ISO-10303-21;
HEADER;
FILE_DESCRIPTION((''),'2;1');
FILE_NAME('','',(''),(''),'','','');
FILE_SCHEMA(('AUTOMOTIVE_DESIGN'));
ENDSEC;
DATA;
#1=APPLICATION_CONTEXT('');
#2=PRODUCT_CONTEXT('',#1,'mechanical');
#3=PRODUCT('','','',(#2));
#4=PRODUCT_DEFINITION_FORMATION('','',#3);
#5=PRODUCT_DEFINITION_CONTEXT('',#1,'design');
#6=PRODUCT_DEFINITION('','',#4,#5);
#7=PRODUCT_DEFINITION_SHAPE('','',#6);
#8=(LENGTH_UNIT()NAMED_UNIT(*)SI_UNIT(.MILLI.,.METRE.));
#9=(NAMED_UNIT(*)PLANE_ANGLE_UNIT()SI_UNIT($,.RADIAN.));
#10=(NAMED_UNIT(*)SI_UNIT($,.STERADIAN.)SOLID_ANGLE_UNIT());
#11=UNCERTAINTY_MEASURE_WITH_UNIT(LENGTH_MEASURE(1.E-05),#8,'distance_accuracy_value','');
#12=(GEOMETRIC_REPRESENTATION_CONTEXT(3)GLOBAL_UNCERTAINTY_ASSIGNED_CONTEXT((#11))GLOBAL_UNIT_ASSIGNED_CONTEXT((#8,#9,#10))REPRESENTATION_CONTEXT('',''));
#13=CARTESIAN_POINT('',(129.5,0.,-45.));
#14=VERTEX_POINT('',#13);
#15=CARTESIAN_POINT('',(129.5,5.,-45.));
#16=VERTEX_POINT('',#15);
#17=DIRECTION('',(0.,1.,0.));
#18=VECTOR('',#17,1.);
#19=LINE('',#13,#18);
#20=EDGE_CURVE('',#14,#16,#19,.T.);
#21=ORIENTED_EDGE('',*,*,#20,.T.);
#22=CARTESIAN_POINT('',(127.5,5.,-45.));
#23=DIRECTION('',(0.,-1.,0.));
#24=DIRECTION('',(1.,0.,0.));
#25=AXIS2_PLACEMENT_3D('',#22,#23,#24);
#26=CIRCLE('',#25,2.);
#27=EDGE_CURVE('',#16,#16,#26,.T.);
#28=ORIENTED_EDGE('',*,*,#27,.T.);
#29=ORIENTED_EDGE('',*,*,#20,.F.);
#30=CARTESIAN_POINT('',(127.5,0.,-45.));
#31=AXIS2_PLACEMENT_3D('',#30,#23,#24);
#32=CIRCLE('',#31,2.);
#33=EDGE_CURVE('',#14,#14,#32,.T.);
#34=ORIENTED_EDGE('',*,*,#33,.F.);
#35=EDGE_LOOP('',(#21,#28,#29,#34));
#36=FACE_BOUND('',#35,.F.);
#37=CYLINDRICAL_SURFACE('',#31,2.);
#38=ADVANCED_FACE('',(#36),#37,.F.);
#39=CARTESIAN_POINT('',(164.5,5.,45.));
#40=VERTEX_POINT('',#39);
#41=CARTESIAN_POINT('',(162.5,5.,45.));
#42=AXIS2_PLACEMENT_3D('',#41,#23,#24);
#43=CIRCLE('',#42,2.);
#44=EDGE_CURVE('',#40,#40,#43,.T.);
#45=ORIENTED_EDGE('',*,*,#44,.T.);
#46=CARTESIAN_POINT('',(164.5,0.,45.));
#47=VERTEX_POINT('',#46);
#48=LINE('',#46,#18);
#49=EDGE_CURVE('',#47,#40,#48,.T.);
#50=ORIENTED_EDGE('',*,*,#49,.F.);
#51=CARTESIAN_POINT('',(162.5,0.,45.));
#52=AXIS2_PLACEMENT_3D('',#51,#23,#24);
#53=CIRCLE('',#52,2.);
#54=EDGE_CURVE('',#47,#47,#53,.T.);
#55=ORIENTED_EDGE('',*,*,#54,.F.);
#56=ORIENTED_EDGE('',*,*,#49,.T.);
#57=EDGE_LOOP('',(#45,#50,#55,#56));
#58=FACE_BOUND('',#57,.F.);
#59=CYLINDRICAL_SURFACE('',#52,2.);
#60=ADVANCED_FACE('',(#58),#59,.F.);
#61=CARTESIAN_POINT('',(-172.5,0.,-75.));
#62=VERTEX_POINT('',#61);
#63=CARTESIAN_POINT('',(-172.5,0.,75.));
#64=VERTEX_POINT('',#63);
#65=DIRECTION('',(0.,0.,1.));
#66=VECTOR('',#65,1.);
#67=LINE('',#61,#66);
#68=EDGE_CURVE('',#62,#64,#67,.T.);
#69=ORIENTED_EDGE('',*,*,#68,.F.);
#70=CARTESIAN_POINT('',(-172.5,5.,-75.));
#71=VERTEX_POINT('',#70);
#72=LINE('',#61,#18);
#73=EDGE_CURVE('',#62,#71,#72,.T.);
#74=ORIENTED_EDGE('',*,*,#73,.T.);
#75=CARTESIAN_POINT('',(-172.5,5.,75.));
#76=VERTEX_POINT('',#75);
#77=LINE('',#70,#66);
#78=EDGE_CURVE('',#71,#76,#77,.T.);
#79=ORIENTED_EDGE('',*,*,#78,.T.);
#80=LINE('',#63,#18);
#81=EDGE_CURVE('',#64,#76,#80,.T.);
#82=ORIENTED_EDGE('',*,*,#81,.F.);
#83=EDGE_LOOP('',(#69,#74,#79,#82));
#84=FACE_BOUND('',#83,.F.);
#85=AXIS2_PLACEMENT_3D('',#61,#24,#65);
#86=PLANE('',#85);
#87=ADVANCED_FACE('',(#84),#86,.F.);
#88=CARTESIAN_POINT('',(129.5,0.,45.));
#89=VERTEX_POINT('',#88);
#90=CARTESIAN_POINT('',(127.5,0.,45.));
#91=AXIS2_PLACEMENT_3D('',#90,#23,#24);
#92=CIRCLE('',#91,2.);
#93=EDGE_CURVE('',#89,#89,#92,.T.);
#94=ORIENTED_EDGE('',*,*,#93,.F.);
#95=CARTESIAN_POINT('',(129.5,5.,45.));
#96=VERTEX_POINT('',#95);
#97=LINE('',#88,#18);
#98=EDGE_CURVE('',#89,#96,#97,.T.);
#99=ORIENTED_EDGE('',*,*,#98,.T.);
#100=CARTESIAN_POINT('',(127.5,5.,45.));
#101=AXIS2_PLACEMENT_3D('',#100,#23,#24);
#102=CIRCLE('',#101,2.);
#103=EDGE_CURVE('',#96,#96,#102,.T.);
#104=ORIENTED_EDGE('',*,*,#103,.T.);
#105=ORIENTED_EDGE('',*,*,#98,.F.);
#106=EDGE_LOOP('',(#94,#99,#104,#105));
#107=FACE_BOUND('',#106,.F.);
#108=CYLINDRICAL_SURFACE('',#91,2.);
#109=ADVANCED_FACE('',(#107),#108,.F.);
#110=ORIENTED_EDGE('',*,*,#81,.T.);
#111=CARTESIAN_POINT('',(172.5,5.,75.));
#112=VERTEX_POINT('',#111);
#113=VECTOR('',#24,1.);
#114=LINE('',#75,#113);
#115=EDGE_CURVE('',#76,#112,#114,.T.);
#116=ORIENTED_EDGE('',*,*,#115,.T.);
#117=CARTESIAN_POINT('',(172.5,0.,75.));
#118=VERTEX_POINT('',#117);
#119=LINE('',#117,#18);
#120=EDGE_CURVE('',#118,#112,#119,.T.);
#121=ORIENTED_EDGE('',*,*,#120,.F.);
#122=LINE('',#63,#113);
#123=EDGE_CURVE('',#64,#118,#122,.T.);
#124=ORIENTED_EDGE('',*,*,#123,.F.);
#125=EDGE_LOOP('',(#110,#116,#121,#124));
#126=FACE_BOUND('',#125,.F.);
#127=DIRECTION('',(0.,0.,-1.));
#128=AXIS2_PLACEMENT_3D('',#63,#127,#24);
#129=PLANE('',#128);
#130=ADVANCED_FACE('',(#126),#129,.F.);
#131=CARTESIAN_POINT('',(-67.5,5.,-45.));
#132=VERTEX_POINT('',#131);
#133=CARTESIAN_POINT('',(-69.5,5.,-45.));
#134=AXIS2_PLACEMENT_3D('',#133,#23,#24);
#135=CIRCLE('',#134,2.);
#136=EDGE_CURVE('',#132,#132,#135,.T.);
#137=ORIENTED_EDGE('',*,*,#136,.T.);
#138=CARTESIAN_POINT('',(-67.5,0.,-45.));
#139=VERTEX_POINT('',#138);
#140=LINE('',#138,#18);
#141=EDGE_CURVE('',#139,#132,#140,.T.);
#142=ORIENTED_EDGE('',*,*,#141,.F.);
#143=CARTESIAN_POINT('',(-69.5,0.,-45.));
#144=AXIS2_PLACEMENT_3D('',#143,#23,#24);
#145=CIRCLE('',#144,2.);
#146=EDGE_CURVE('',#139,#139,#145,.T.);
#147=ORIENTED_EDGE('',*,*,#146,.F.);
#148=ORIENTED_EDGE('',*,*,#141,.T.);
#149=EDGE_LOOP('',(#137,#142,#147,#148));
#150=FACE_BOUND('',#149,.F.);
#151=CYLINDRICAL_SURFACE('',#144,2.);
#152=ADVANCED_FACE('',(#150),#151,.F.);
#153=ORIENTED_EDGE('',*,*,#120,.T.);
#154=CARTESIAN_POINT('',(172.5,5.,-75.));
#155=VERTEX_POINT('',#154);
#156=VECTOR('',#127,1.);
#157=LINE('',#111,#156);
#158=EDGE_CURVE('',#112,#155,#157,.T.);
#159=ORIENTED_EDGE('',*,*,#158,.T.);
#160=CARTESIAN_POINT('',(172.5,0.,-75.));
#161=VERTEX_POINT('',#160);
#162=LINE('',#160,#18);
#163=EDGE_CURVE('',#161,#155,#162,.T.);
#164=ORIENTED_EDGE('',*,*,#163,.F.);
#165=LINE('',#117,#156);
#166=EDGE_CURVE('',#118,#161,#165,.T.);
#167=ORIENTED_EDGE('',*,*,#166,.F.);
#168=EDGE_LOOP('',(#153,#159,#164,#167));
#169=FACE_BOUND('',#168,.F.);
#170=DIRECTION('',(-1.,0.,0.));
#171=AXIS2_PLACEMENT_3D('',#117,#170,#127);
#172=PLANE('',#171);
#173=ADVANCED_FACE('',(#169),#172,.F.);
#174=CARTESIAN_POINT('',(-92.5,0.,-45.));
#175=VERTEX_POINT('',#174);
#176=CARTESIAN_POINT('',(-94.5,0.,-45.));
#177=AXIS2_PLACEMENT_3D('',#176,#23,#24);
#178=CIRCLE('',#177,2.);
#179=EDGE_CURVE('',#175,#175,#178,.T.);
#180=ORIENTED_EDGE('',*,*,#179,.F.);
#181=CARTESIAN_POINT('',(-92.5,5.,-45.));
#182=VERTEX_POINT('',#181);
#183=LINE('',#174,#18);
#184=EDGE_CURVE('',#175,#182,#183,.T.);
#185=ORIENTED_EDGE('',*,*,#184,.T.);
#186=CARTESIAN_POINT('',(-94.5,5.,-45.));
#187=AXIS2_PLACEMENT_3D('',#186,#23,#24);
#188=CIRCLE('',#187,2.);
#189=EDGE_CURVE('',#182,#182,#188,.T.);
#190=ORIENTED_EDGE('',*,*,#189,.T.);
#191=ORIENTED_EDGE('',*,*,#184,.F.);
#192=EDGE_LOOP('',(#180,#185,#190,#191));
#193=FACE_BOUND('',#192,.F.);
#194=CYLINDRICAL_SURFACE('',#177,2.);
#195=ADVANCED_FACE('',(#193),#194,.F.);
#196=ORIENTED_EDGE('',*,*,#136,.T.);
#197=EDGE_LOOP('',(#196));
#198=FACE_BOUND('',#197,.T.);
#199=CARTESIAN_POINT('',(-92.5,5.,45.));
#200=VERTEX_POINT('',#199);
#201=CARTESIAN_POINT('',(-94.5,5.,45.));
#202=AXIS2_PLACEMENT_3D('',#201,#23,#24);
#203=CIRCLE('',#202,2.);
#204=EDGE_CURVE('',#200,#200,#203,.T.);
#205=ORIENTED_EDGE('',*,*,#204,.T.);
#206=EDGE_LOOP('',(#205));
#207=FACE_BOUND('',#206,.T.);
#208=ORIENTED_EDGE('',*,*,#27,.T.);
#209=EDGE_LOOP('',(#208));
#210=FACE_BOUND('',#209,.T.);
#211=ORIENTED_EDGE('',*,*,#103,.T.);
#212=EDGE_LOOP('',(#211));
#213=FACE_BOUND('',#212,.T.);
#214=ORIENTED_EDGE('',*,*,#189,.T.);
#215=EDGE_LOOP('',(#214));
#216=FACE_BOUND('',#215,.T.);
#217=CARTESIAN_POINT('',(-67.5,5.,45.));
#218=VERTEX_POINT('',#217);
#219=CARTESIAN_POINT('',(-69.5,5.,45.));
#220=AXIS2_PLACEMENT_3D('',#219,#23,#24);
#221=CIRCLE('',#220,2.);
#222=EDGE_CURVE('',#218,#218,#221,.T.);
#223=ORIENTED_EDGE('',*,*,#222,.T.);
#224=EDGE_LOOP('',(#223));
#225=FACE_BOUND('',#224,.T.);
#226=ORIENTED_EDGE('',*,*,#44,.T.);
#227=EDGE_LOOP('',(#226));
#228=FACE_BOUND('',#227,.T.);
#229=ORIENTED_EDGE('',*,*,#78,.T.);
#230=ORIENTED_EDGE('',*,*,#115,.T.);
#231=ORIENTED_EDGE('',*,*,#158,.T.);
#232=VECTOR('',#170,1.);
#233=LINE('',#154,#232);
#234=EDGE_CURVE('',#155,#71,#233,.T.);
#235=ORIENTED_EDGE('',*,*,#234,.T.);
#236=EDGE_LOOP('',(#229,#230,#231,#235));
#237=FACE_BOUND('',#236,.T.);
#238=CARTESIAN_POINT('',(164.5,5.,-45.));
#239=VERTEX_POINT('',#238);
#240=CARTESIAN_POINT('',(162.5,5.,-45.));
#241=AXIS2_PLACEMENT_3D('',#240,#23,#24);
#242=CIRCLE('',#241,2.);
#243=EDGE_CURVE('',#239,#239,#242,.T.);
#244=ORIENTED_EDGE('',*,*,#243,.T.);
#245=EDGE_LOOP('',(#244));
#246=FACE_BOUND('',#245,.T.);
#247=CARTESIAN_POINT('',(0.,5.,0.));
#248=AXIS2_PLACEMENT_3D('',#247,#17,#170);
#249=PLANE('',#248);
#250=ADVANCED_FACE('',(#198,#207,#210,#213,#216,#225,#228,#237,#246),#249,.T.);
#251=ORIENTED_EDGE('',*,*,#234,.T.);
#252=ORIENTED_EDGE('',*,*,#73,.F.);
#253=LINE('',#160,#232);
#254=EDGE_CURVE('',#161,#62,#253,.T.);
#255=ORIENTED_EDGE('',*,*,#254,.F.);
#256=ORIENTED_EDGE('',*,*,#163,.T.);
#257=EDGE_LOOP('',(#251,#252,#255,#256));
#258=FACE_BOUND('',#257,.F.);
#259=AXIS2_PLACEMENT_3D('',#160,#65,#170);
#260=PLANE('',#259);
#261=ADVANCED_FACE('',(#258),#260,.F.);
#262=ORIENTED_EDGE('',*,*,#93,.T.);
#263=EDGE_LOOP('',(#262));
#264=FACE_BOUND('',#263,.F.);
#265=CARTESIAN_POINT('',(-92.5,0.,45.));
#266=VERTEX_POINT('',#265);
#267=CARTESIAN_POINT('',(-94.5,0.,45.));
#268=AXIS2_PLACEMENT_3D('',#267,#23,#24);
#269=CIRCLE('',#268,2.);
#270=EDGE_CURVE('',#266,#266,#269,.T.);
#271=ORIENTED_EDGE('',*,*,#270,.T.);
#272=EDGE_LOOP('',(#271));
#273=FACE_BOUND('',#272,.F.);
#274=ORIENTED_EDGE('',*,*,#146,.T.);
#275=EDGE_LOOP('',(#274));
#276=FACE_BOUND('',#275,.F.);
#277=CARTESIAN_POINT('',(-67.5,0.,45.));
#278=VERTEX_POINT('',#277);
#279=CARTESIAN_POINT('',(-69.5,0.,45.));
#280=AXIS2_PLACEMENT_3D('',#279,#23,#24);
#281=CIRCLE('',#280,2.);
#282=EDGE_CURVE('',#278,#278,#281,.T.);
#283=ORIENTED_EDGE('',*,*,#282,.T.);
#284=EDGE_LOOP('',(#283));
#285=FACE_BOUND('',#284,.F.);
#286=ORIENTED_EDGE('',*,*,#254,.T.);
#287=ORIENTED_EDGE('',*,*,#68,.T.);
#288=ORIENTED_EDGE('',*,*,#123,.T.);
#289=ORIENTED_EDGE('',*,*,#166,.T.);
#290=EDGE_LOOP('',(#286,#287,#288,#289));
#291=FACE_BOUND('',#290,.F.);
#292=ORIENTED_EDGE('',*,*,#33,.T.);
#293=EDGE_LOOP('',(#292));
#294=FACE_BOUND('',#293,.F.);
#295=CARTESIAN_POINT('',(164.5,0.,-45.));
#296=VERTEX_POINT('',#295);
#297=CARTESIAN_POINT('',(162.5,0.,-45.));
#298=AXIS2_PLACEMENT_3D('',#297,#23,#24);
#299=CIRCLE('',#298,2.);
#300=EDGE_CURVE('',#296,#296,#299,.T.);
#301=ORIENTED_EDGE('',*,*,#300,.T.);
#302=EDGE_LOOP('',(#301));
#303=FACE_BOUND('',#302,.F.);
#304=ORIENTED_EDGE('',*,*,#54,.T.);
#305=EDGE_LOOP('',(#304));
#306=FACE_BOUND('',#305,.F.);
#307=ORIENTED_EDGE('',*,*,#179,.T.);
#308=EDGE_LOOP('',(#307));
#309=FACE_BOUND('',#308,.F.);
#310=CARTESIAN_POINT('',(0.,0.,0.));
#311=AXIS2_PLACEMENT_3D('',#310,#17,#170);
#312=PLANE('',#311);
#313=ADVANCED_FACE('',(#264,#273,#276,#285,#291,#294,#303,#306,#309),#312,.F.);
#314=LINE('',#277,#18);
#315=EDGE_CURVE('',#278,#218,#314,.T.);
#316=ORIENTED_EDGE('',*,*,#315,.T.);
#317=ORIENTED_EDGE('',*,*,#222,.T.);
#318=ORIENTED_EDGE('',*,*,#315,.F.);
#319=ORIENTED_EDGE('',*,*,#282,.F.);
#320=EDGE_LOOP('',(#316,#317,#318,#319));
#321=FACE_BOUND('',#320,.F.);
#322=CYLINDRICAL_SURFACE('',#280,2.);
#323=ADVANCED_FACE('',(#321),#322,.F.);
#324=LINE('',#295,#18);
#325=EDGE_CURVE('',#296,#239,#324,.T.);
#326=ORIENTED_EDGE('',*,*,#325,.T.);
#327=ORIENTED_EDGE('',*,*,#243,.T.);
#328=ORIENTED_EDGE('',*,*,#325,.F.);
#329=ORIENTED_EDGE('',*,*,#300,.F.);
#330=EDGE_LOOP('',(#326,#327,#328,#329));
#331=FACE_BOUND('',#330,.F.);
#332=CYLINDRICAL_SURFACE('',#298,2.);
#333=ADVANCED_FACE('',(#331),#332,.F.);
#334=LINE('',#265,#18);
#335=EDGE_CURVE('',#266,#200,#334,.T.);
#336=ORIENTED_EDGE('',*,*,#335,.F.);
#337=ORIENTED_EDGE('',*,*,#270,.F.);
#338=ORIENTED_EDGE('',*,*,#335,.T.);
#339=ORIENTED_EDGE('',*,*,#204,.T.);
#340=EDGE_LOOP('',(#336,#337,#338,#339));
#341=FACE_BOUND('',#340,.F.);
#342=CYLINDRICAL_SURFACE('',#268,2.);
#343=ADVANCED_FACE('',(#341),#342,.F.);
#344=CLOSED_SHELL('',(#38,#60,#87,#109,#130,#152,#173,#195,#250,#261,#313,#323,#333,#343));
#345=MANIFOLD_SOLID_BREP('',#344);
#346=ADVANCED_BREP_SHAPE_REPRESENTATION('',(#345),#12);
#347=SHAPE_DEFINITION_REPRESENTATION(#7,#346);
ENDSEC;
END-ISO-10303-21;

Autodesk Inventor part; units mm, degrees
ref_plane "YZ Plane" through (0, 0, 0) normal (1, 0, 0) x (0, 1, 0)
ref_plane "XZ Plane" through (0, 0, 0) normal (0, 1, 0) x (-1, 0, 0)
ref_plane "XY Plane" through (0, 0, 0) normal (0, 0, 1) x (1, 0, 0)
sketch "Sketch1" plane through (0, 0, 0) normal (0, 1, 0) x (-1, 0, 0)
  line L0 (172.5, 75) -> (-172.5, 75)
  line L1 (-172.5, 75) -> (-172.5, -75)
  line L2 (-172.5, -75) -> (172.5, -75)
  line L3 (172.5, -75) -> (172.5, 75)
  line L4 (172.5, 75) -> (-172.5, -75) construction
  line L5 (-172.5, 75) -> (172.5, -75) construction
  point P0 (0, 0)
  dimension "d0" = 345
  dimension "d1" = 150
extrude "Extrusion1" add sketch "Sketch1" along normal blind 5
sketch "Sketch2" plane through (0, 0, 0) normal (0, -1, 0) x (1, 0, 0)
  circle A0 centre (162.5, 45) radius 2.05 projected
  circle A1 centre (162.5, -45) radius 2.05 projected
  circle A2 centre (127.5, 45) radius 2.05 projected
  circle A3 centre (127.5, -45) radius 2.05 projected
  line L0 (172.5, -75) -> (47.5, -75) projected
  line L1 (47.5, -75) -> (47.5, -55) projected
  line L2 (117.5, -55) -> (47.5, -55) projected
  line L3 (117.5, -55) -> (117.5, 75) projected
  line L4 (117.5, 75) -> (172.5, 75) projected
  line L5 (172.5, -75) -> (172.5, 75) projected
  line L6 (-104.55, -45) -> (-104.55, 60) projected
  line L7 (-104.55, 60) -> (-132, 60) projected
  line L8 (-132, 75) -> (-132, 60) projected
  line L9 (-132, 75) -> (-32, 75) projected
  line L10 (-32, 60) -> (-32, 75) projected
  line L11 (-32, 60) -> (-59.45, 60) projected
  line L12 (-59.45, 60) -> (-59.45, -45) projected
  arc A4 (-59.45, -45) -> (-54.45, -50) centre (-54.45, -45) ccw projected
  line L13 (-32, -50) -> (-54.45, -50) projected
  line L14 (-32, -75) -> (-32, -50) projected
  line L15 (-59.45, -75) -> (-32, -75) projected
  line L16 (-59.45, -75) -> (-59.45, -65) projected
  line L17 (-59.45, -65) -> (-104.55, -65) projected
  line L18 (-104.55, -65) -> (-104.55, -75) projected
  line L19 (-132, -75) -> (-104.55, -75) projected
  line L20 (-132, -50) -> (-132, -75) projected
  line L21 (-109.55, -50) -> (-132, -50) projected
  arc A5 (-109.55, -50) -> (-104.55, -45) centre (-109.55, -45) ccw projected
  circle A6 centre (-94.5, 45) radius 2.05 projected
  circle A7 centre (-69.5, -45) radius 2.05 projected
  circle A8 centre (-69.5, 45) radius 2.05 projected
  circle A9 centre (-94.5, -45) radius 2.05 projected
  circle A10 centre (162.5, 45) radius 2
  circle A11 centre (162.5, -45) radius 2
  circle A12 centre (127.5, 45) radius 2
  circle A13 centre (127.5, -45) radius 2
  circle A14 centre (-69.5, 45) radius 2
  circle A15 centre (-69.5, -45) radius 2
  circle A16 centre (-94.5, 45) radius 2
  circle A17 centre (-94.5, -45) radius 2
  point P0 (0, 0)
  dimension "d4" = 4
  dimension "d5" = 4
  dimension "d6" = 4
  dimension "d7" = 4
  dimension "d8" = 4
  dimension "d9" = 4
  dimension "d10" = 4
  dimension "d11" = 4
extrude "Extrusion2" cut sketch "Sketch2" against normal blind 5 contours A10 | A11 | A12 | A13 | A14 | A15 | A16 | A17
properties part number "acrylic_side" material "ABS Plastic"
